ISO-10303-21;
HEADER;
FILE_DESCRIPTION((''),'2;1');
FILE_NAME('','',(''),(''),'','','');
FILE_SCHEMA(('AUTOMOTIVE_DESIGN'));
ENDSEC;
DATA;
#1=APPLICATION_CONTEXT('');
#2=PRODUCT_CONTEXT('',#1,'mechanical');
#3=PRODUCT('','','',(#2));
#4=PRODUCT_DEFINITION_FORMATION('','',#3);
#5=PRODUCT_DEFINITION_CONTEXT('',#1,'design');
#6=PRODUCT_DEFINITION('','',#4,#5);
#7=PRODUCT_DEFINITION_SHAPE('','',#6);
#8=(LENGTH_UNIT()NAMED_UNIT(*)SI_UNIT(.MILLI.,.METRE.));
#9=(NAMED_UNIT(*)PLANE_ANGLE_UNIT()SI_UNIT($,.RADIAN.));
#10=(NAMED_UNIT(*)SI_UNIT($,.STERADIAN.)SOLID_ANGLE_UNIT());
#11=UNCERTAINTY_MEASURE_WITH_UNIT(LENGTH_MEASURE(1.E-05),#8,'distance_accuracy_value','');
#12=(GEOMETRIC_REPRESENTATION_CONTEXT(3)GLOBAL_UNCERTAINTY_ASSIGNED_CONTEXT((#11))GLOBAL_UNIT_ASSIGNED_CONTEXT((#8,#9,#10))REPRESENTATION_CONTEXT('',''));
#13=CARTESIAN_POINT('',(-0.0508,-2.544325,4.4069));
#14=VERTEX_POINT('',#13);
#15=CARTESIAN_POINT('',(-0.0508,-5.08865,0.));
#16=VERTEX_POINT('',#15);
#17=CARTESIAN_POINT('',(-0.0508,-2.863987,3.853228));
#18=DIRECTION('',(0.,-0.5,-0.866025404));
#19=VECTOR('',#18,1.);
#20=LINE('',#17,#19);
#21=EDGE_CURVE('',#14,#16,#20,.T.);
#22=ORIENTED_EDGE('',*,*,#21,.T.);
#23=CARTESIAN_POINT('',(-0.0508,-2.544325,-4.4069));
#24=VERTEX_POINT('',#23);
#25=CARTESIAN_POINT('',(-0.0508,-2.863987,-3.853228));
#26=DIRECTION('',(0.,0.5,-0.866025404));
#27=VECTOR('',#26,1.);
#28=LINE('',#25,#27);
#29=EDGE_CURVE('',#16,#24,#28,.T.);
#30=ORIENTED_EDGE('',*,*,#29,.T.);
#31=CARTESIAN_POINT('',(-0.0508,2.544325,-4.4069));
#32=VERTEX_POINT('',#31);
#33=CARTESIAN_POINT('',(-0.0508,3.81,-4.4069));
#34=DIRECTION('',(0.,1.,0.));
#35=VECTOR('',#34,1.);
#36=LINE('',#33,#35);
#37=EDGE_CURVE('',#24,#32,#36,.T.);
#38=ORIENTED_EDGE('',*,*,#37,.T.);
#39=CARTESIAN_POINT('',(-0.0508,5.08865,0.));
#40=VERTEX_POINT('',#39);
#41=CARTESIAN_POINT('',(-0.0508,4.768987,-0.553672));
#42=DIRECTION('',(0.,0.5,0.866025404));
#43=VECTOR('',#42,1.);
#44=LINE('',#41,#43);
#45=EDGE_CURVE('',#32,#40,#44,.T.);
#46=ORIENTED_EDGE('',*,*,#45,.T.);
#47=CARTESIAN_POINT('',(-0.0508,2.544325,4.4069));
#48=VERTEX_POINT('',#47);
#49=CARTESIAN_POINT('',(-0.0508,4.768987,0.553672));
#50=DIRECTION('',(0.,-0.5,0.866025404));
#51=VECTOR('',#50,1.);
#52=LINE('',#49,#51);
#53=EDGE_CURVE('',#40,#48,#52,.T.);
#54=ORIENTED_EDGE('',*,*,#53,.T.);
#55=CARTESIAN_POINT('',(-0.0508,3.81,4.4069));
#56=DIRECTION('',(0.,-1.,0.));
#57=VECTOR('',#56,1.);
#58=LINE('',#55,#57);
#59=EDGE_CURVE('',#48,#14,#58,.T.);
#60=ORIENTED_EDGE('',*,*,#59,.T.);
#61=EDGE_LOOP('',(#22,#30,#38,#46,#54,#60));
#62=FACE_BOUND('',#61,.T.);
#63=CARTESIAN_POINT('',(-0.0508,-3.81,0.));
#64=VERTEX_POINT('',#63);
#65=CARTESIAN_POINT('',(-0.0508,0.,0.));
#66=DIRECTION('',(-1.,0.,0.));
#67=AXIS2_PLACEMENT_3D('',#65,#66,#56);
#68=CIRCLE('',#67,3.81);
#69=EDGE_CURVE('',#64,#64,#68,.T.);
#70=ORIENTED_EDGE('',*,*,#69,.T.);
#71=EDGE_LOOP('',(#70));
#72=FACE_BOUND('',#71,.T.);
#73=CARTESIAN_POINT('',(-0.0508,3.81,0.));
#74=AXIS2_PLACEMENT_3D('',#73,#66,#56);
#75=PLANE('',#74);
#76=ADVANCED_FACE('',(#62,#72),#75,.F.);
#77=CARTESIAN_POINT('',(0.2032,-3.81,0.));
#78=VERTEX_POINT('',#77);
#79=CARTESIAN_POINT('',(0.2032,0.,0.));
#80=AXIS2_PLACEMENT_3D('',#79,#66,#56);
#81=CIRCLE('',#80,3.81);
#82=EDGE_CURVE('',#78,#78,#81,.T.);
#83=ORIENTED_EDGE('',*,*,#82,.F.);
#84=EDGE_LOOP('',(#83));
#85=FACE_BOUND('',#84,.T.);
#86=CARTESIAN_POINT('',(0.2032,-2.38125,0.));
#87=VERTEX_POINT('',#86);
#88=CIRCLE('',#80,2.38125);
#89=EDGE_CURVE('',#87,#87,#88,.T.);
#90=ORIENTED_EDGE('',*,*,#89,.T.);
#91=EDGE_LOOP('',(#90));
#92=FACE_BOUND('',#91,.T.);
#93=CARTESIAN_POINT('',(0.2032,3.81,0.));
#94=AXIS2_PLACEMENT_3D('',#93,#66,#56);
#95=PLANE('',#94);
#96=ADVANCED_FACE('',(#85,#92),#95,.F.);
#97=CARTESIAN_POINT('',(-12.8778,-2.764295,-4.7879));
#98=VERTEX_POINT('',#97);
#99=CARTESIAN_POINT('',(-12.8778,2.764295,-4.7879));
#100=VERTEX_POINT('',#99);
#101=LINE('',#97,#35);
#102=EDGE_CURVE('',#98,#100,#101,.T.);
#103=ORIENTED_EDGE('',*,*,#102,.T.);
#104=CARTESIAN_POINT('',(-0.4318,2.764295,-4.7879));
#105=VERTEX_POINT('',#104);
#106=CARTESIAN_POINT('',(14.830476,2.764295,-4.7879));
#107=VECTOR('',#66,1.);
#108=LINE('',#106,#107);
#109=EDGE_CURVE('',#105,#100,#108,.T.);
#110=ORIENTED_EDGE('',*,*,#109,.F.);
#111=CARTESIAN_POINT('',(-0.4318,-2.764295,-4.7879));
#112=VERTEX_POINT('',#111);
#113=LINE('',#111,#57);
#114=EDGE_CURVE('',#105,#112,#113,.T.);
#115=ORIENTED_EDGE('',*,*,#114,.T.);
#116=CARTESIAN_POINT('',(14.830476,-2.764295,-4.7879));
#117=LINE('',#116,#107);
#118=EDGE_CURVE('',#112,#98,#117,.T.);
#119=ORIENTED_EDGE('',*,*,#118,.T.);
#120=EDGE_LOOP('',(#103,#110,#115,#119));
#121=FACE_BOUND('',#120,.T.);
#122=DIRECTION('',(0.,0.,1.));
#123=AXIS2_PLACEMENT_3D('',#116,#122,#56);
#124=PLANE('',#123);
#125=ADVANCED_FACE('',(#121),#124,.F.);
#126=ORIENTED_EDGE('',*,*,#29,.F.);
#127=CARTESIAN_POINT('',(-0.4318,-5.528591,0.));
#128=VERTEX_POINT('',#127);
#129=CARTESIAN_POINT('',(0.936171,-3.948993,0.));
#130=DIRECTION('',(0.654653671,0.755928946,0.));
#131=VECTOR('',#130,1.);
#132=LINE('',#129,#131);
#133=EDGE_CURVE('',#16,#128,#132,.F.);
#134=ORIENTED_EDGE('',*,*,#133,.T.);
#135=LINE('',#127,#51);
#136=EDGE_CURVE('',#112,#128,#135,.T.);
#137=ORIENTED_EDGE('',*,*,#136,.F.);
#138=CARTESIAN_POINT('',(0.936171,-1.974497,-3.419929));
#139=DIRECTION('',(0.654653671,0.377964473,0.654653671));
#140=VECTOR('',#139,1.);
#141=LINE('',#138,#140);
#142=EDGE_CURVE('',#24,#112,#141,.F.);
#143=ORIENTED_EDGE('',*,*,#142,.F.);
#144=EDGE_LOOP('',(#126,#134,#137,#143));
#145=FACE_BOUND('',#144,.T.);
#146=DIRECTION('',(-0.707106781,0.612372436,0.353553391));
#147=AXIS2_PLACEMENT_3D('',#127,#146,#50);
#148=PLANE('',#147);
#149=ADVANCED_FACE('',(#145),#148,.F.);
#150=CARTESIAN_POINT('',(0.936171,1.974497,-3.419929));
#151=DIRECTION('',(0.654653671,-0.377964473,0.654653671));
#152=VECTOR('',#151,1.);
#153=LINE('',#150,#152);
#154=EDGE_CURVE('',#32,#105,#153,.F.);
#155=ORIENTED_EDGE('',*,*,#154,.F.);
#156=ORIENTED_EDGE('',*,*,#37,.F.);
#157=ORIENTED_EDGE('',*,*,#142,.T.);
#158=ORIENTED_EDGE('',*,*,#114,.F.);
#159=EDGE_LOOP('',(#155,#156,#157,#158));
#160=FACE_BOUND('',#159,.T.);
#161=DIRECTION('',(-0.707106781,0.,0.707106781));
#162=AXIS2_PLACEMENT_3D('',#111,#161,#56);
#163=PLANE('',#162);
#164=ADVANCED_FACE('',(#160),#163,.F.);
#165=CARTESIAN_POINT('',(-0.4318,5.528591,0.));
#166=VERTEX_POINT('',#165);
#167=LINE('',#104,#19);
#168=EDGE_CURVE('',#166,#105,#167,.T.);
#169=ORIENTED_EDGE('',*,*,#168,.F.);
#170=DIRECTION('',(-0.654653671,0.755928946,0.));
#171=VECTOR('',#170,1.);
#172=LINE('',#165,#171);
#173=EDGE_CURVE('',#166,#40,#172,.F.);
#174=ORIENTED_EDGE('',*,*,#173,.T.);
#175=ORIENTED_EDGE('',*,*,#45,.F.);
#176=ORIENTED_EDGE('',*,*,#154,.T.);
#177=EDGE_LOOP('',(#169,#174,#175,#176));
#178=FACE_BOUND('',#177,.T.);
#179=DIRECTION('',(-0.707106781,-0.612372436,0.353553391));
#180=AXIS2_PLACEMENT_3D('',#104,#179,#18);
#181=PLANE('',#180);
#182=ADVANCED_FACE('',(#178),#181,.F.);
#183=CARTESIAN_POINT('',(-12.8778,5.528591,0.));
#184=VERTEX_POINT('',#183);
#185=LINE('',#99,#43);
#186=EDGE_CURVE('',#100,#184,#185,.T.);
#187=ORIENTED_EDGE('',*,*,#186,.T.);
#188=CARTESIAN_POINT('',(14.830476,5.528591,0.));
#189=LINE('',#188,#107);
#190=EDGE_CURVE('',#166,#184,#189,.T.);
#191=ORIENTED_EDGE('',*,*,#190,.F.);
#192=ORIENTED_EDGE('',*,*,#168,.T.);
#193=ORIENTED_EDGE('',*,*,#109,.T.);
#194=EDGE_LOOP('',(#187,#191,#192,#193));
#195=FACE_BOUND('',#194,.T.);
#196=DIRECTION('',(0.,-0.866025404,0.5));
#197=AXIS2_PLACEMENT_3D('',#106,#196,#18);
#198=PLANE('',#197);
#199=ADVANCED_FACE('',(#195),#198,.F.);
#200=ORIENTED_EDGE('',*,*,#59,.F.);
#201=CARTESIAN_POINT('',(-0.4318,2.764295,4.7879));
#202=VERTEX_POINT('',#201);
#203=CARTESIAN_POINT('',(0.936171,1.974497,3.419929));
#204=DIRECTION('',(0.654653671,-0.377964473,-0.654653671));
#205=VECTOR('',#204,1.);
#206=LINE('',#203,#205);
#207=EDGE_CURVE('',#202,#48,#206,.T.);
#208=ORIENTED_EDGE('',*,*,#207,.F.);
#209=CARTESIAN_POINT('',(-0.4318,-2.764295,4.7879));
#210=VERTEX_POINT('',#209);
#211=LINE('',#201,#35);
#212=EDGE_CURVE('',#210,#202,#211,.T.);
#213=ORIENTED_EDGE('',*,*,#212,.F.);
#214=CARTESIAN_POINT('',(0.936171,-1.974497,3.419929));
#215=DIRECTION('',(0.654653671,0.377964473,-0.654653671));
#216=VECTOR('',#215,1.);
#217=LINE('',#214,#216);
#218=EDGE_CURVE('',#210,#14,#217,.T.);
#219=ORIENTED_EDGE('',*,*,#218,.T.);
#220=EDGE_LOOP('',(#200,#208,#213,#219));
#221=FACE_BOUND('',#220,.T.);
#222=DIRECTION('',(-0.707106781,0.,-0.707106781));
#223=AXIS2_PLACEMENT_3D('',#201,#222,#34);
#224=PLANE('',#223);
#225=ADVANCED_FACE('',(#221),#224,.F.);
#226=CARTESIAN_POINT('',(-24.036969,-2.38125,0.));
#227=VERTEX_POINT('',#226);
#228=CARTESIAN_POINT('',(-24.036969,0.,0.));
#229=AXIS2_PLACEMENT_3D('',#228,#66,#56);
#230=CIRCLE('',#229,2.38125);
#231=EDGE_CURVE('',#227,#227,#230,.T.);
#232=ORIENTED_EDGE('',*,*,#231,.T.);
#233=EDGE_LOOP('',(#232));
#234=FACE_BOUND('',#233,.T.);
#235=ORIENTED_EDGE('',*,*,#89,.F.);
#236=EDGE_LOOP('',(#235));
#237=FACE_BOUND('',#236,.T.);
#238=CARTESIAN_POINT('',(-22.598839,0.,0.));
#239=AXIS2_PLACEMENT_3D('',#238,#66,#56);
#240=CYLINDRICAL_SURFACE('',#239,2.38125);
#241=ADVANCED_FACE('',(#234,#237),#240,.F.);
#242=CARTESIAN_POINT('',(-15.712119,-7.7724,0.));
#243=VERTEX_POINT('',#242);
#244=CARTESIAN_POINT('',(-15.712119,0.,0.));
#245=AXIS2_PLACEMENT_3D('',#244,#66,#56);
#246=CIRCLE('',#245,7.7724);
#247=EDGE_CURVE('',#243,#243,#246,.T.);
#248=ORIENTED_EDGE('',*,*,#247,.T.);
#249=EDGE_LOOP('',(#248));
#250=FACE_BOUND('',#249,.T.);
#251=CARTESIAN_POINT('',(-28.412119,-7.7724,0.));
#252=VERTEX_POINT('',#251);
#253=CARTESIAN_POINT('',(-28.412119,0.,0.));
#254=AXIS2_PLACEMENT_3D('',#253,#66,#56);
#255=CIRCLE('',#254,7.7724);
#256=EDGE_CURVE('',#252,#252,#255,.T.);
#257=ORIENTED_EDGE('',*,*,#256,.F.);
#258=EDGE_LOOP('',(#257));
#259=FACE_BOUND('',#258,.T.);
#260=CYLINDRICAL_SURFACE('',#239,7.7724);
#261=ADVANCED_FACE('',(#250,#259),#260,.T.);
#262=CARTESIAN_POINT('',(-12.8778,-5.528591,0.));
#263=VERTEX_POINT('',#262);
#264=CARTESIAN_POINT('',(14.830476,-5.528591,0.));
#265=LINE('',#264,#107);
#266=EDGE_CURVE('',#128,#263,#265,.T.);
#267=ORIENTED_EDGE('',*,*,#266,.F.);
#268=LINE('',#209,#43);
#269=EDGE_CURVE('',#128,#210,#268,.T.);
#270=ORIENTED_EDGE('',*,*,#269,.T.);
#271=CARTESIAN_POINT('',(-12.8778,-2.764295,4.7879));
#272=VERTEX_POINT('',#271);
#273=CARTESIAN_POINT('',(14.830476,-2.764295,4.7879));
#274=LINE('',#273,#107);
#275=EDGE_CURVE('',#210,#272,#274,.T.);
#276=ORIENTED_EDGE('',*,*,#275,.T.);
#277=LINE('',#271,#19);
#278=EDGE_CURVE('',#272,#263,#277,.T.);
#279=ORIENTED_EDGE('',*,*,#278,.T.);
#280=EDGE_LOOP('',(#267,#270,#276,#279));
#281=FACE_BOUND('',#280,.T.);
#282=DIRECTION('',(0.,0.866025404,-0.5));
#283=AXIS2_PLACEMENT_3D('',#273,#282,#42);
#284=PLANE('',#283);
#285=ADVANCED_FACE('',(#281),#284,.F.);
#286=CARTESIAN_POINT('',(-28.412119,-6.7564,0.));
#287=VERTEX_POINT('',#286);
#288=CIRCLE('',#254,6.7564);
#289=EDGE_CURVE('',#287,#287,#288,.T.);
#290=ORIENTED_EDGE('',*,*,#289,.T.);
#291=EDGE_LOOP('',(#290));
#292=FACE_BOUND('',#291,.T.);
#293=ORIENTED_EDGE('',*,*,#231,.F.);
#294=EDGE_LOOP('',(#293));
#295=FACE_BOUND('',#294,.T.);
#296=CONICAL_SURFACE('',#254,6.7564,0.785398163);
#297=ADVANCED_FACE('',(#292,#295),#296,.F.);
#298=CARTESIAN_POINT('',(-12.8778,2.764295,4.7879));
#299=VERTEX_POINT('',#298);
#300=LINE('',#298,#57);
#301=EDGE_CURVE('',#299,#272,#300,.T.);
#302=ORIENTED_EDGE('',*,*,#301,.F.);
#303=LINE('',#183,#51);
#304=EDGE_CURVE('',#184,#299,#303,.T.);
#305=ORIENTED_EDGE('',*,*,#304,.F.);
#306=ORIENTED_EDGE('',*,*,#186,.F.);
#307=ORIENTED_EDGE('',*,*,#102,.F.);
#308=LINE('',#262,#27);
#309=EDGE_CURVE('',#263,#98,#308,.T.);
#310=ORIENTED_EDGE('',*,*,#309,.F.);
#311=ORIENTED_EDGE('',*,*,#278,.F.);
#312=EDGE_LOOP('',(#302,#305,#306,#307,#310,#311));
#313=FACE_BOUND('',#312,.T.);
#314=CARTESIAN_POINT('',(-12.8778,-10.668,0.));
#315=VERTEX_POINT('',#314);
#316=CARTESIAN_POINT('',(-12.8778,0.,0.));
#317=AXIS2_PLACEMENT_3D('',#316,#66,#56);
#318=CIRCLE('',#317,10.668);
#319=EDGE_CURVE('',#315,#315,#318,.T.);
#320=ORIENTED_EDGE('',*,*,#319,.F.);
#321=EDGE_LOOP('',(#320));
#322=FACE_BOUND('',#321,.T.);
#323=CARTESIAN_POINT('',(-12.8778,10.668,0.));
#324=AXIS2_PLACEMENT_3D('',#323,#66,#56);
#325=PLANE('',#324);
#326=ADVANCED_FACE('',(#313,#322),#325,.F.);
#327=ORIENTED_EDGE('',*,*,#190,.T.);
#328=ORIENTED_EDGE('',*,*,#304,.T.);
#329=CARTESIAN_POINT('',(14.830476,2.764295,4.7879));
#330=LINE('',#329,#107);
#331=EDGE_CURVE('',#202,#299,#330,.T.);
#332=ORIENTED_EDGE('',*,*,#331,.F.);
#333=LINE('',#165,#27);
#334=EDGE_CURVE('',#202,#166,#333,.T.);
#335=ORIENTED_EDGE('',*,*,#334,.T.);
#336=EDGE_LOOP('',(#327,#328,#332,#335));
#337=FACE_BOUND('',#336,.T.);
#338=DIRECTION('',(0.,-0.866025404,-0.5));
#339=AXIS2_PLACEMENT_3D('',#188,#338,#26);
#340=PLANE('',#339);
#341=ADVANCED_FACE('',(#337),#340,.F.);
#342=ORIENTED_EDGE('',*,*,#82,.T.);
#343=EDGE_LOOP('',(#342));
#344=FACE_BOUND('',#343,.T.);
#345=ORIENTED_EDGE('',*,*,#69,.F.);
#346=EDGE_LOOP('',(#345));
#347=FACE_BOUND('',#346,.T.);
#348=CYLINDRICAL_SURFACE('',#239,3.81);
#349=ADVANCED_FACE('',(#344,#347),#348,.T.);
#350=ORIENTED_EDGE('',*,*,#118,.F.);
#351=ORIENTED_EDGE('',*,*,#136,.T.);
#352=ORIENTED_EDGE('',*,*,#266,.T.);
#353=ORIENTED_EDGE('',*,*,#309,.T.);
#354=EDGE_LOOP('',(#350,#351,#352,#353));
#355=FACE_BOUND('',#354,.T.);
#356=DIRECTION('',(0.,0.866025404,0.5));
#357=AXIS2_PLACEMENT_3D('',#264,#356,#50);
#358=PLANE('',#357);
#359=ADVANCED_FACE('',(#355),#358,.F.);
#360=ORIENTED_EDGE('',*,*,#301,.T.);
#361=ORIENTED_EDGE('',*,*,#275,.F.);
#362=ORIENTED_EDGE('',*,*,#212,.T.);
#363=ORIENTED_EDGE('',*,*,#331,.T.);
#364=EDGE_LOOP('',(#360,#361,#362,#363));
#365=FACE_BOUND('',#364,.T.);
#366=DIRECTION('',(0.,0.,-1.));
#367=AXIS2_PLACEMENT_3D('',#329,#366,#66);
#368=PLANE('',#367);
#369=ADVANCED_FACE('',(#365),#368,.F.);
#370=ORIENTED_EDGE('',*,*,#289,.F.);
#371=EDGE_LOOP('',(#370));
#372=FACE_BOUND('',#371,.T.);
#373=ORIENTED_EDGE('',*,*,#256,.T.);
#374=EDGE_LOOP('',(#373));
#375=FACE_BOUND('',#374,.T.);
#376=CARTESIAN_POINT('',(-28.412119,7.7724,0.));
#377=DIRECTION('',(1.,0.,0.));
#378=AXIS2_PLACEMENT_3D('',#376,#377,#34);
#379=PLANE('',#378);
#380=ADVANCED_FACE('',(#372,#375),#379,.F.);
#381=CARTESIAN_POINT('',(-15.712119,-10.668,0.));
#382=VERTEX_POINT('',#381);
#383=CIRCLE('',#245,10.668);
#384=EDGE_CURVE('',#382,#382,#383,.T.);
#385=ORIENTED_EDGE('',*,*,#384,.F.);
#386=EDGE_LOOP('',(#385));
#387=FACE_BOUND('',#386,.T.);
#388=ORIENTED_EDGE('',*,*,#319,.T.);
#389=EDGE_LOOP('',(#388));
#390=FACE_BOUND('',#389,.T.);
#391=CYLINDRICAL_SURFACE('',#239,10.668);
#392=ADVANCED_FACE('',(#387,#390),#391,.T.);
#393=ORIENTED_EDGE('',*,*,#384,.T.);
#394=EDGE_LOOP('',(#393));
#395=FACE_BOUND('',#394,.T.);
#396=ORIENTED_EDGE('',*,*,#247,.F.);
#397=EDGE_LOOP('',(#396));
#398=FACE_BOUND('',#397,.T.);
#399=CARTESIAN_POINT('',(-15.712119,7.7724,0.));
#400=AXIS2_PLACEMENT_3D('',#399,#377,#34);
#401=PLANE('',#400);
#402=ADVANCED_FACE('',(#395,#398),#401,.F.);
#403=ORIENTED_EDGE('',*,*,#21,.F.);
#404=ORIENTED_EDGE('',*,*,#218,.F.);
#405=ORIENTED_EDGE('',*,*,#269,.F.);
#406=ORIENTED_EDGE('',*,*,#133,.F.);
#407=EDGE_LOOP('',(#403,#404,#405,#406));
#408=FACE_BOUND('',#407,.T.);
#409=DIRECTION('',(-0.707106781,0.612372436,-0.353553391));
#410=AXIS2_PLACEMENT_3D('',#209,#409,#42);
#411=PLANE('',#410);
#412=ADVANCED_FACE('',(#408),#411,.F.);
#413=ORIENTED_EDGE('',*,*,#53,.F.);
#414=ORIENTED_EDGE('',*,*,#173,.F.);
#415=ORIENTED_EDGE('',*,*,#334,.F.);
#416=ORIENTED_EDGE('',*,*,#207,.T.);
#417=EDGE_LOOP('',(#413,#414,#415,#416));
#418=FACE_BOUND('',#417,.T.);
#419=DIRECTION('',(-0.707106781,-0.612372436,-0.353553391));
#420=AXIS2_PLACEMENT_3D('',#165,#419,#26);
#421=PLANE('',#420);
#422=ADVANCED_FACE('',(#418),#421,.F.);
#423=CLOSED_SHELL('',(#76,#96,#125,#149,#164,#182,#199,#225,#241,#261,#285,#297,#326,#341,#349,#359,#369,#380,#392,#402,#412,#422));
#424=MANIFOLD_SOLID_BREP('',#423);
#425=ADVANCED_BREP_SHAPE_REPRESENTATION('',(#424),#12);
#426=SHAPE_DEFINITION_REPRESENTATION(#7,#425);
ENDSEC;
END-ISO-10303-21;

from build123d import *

# Parameters (mm, degrees)
SKETCH3_R           = 3.81
BOSS_EXTRUDE1_DEPTH = 12.827
CHAMFER1_SIZE       = 0.381


with BuildPart() as part:
    # Sketch1 → Revolve1 (revolve)
    with BuildSketch(Plane.XY):
        Polygon((-12.8778, 10.668), (-12.8778, 3.81), (0.2032, 3.81), (0.2032, 2.38125), (-24.036969082, 2.38125), (-28.412119082, 6.7564), (-28.412119082, 7.7724), (-15.712119082, 7.7724), (-15.712119082, 10.668), align=None)
    revolve(axis=Axis((-22.598839253, 0, 0), (1, 0, 0)))

    # Sketch3 → Boss-Extrude1 (add)
    with BuildSketch(Plane(origin=(-12.8778, 0, 0), x_dir=(0, 0, -1), z_dir=(1, 0, 0))):
        Polygon((-4.7879, 2.764295354), (-4.7879, -2.764295354), (0, -5.528590708), (4.7879, -2.764295354), (4.7879, 2.764295354), (0, 5.528590708), align=None)
        Circle(SKETCH3_R, mode=Mode.SUBTRACT)
    extrude(amount=BOSS_EXTRUDE1_DEPTH)

    # Chamfer1
    chamfer1_edges = [part.edges().sort_by_distance(p)[0] for p in [
        (-0.0508, 4.146443031, 2.39395),
        (-0.0508, 0, 4.7879),
        (-0.0508, -4.146443031, 2.39395),
        (-0.0508, -4.146443031, -2.39395),
        (-0.0508, 0, -4.7879),
        (-0.0508, 4.146443031, -2.39395),
    ]]
    chamfer(chamfer1_edges, length=CHAMFER1_SIZE)


solid = part.part
